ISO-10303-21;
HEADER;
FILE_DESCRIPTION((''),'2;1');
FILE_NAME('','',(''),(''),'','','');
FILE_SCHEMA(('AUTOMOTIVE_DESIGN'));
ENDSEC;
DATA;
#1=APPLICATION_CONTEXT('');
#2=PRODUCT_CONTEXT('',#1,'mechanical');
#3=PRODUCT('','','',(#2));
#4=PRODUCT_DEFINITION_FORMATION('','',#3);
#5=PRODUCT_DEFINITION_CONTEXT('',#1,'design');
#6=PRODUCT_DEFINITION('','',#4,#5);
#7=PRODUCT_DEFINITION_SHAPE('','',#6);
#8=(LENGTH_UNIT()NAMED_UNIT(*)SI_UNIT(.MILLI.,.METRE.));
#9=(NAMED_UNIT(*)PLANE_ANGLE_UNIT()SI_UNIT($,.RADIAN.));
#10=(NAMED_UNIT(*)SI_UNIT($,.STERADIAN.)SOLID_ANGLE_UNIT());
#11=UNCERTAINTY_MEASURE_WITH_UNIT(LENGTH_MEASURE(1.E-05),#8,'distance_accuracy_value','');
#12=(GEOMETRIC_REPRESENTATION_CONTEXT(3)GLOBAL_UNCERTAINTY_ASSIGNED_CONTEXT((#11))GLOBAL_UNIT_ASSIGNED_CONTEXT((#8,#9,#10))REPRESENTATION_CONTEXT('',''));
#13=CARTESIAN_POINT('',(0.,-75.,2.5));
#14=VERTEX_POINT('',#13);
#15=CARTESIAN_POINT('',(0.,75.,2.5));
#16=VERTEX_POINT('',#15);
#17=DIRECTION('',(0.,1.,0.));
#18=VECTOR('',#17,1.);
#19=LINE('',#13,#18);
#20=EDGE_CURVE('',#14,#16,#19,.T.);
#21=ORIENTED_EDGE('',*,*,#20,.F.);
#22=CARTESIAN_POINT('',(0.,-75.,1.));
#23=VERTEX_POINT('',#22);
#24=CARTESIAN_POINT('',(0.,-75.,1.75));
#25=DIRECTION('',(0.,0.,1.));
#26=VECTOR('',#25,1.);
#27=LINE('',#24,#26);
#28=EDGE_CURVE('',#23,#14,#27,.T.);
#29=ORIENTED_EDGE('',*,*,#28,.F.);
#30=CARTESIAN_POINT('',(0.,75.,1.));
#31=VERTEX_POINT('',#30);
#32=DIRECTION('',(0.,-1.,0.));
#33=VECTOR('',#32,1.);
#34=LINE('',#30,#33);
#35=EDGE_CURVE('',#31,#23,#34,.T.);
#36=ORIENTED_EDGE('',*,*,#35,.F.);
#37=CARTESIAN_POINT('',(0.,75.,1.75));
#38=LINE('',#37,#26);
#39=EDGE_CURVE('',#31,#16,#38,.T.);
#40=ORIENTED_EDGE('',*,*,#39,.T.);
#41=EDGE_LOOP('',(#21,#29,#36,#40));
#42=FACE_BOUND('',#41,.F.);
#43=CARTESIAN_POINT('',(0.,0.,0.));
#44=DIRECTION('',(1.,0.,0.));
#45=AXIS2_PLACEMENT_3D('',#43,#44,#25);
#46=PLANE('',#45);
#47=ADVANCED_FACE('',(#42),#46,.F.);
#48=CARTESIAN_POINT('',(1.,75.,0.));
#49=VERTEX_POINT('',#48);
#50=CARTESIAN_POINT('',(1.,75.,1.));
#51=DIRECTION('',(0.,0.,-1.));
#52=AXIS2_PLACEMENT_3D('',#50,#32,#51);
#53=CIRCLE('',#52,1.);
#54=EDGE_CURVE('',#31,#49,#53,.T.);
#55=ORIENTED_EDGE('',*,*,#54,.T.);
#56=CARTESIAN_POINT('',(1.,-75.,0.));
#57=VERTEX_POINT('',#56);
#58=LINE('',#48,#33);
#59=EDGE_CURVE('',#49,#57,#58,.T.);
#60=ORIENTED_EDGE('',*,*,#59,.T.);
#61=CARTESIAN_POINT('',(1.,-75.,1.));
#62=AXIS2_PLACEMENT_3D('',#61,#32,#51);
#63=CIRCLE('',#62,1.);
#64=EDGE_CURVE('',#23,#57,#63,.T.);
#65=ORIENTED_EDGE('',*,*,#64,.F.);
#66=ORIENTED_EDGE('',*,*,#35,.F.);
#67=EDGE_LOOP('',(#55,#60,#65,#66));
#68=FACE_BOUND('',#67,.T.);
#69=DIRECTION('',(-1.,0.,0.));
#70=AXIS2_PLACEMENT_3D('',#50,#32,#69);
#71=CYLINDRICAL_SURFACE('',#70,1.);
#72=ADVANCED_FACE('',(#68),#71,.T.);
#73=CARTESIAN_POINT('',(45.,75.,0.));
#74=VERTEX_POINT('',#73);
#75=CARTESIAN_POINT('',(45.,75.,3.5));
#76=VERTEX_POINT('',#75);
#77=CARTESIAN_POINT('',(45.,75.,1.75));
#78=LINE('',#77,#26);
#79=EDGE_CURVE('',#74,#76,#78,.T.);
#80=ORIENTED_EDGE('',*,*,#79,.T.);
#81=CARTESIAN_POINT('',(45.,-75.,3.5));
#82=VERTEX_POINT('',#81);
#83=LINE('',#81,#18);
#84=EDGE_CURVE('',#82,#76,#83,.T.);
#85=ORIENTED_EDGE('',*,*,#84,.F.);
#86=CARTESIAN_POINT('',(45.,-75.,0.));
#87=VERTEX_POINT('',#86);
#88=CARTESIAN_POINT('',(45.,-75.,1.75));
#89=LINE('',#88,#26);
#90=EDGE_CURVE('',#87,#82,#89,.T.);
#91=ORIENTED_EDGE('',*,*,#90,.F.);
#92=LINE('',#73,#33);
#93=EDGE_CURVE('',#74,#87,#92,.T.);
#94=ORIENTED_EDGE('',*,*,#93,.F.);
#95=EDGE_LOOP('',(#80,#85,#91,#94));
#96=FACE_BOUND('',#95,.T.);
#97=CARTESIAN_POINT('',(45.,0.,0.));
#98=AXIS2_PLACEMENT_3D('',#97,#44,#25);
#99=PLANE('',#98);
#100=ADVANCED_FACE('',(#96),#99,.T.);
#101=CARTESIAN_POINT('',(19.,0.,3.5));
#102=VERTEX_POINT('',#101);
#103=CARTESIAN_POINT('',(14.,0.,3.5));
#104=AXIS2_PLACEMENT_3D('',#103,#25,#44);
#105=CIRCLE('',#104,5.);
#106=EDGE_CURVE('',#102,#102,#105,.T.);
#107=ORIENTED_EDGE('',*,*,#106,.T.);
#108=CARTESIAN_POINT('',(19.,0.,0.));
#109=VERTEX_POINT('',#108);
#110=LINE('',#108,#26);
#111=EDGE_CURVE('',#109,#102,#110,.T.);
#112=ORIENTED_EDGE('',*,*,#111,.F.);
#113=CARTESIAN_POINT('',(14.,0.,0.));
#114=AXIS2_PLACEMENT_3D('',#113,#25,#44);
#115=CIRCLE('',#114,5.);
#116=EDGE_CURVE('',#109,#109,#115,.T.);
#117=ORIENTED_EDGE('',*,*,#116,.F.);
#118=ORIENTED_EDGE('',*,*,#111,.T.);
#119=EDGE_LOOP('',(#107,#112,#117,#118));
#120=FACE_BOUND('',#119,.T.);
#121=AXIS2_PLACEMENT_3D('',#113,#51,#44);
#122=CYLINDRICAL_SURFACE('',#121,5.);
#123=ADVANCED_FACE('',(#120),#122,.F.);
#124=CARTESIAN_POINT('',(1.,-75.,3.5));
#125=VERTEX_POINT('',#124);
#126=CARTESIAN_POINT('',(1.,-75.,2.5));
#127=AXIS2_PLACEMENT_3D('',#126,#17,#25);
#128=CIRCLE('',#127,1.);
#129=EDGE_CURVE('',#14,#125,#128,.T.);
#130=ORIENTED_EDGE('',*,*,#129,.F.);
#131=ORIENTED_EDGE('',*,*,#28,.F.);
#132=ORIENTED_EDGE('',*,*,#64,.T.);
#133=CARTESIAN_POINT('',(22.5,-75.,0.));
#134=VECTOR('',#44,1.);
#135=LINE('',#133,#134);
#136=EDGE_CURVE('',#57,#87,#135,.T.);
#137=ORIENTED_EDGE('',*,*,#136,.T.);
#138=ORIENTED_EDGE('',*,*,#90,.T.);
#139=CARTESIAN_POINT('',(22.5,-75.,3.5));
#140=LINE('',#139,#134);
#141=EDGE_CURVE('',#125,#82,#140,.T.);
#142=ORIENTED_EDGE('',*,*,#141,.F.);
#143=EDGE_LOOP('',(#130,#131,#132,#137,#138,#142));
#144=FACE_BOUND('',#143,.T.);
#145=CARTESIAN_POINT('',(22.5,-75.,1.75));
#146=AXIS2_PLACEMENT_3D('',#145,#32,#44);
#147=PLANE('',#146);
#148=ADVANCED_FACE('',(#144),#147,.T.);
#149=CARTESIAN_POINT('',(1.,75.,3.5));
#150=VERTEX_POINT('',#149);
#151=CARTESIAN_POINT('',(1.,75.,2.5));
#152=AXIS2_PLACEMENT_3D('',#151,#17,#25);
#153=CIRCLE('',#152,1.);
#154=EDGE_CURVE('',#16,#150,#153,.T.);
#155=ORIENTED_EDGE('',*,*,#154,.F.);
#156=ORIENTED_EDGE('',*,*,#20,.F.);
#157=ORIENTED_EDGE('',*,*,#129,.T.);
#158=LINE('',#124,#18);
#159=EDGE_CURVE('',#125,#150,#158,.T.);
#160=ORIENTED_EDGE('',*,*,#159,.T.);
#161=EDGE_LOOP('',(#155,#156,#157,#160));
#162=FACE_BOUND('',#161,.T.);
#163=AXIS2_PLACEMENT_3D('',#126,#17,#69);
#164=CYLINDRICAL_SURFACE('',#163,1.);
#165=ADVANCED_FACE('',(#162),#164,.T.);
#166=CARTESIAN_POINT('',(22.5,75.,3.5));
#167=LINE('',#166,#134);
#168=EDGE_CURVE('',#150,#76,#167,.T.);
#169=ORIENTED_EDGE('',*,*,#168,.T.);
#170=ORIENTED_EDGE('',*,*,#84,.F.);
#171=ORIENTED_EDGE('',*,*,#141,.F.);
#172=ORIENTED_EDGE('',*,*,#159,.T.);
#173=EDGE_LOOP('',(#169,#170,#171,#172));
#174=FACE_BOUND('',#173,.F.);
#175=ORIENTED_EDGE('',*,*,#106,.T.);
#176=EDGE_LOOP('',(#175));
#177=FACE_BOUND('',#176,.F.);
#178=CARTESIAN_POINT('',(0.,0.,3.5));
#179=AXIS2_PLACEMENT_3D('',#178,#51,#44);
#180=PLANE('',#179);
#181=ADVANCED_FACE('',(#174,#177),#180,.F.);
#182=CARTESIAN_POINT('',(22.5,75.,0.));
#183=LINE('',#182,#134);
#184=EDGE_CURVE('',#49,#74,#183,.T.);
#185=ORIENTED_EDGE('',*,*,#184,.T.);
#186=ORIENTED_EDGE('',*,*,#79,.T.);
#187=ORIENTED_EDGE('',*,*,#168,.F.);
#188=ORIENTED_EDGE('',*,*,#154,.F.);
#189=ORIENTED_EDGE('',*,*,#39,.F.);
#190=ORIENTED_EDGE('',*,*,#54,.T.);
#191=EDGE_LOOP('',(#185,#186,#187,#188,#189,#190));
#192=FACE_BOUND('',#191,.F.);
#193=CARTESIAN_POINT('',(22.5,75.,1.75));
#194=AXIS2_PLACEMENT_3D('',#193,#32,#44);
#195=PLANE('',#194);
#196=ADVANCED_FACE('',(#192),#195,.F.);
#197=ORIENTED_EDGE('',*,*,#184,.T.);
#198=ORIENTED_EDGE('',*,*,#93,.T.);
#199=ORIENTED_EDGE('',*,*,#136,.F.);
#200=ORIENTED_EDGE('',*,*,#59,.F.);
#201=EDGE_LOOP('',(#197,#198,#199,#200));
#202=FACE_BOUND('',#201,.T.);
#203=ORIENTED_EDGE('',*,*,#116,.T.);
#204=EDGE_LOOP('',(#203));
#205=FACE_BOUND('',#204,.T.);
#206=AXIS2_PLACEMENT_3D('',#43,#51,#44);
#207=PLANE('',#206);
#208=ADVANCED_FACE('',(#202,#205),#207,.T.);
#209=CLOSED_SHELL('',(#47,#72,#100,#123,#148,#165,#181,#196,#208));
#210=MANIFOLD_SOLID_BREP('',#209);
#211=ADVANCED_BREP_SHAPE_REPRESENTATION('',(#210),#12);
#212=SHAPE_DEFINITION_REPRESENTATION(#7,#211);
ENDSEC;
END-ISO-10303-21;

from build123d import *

# Parameters (mm, degrees)
F0_W     = 45
F0_H     = 3.5
F1_DEPTH = 75
F2_R     = 5
F3_DEPTH = 3.5
F4_R     = 1


with BuildPart() as f1:
    # F0 (on Front) → F1 (new body, symmetric)
    with BuildSketch(Plane.XZ):
        with Locations((22.5, 1.75)):
            Rectangle(F0_W, F0_H)
    extrude(amount=F1_DEPTH, both=True)

    # F2 (on Top) → F3 (cut, through all)
    with BuildSketch(Plane.XY):
        with Locations((14, 0)):
            Circle(F2_R)
    extrude(amount=F3_DEPTH, mode=Mode.SUBTRACT)

    # F4
    f4_edges = [f1.edges().sort_by_distance(p)[0] for p in [
        (0, 0, 3.5),
        (0, 0, 0),
    ]]
    fillet(f4_edges, radius=F4_R)


solid = f1.part
